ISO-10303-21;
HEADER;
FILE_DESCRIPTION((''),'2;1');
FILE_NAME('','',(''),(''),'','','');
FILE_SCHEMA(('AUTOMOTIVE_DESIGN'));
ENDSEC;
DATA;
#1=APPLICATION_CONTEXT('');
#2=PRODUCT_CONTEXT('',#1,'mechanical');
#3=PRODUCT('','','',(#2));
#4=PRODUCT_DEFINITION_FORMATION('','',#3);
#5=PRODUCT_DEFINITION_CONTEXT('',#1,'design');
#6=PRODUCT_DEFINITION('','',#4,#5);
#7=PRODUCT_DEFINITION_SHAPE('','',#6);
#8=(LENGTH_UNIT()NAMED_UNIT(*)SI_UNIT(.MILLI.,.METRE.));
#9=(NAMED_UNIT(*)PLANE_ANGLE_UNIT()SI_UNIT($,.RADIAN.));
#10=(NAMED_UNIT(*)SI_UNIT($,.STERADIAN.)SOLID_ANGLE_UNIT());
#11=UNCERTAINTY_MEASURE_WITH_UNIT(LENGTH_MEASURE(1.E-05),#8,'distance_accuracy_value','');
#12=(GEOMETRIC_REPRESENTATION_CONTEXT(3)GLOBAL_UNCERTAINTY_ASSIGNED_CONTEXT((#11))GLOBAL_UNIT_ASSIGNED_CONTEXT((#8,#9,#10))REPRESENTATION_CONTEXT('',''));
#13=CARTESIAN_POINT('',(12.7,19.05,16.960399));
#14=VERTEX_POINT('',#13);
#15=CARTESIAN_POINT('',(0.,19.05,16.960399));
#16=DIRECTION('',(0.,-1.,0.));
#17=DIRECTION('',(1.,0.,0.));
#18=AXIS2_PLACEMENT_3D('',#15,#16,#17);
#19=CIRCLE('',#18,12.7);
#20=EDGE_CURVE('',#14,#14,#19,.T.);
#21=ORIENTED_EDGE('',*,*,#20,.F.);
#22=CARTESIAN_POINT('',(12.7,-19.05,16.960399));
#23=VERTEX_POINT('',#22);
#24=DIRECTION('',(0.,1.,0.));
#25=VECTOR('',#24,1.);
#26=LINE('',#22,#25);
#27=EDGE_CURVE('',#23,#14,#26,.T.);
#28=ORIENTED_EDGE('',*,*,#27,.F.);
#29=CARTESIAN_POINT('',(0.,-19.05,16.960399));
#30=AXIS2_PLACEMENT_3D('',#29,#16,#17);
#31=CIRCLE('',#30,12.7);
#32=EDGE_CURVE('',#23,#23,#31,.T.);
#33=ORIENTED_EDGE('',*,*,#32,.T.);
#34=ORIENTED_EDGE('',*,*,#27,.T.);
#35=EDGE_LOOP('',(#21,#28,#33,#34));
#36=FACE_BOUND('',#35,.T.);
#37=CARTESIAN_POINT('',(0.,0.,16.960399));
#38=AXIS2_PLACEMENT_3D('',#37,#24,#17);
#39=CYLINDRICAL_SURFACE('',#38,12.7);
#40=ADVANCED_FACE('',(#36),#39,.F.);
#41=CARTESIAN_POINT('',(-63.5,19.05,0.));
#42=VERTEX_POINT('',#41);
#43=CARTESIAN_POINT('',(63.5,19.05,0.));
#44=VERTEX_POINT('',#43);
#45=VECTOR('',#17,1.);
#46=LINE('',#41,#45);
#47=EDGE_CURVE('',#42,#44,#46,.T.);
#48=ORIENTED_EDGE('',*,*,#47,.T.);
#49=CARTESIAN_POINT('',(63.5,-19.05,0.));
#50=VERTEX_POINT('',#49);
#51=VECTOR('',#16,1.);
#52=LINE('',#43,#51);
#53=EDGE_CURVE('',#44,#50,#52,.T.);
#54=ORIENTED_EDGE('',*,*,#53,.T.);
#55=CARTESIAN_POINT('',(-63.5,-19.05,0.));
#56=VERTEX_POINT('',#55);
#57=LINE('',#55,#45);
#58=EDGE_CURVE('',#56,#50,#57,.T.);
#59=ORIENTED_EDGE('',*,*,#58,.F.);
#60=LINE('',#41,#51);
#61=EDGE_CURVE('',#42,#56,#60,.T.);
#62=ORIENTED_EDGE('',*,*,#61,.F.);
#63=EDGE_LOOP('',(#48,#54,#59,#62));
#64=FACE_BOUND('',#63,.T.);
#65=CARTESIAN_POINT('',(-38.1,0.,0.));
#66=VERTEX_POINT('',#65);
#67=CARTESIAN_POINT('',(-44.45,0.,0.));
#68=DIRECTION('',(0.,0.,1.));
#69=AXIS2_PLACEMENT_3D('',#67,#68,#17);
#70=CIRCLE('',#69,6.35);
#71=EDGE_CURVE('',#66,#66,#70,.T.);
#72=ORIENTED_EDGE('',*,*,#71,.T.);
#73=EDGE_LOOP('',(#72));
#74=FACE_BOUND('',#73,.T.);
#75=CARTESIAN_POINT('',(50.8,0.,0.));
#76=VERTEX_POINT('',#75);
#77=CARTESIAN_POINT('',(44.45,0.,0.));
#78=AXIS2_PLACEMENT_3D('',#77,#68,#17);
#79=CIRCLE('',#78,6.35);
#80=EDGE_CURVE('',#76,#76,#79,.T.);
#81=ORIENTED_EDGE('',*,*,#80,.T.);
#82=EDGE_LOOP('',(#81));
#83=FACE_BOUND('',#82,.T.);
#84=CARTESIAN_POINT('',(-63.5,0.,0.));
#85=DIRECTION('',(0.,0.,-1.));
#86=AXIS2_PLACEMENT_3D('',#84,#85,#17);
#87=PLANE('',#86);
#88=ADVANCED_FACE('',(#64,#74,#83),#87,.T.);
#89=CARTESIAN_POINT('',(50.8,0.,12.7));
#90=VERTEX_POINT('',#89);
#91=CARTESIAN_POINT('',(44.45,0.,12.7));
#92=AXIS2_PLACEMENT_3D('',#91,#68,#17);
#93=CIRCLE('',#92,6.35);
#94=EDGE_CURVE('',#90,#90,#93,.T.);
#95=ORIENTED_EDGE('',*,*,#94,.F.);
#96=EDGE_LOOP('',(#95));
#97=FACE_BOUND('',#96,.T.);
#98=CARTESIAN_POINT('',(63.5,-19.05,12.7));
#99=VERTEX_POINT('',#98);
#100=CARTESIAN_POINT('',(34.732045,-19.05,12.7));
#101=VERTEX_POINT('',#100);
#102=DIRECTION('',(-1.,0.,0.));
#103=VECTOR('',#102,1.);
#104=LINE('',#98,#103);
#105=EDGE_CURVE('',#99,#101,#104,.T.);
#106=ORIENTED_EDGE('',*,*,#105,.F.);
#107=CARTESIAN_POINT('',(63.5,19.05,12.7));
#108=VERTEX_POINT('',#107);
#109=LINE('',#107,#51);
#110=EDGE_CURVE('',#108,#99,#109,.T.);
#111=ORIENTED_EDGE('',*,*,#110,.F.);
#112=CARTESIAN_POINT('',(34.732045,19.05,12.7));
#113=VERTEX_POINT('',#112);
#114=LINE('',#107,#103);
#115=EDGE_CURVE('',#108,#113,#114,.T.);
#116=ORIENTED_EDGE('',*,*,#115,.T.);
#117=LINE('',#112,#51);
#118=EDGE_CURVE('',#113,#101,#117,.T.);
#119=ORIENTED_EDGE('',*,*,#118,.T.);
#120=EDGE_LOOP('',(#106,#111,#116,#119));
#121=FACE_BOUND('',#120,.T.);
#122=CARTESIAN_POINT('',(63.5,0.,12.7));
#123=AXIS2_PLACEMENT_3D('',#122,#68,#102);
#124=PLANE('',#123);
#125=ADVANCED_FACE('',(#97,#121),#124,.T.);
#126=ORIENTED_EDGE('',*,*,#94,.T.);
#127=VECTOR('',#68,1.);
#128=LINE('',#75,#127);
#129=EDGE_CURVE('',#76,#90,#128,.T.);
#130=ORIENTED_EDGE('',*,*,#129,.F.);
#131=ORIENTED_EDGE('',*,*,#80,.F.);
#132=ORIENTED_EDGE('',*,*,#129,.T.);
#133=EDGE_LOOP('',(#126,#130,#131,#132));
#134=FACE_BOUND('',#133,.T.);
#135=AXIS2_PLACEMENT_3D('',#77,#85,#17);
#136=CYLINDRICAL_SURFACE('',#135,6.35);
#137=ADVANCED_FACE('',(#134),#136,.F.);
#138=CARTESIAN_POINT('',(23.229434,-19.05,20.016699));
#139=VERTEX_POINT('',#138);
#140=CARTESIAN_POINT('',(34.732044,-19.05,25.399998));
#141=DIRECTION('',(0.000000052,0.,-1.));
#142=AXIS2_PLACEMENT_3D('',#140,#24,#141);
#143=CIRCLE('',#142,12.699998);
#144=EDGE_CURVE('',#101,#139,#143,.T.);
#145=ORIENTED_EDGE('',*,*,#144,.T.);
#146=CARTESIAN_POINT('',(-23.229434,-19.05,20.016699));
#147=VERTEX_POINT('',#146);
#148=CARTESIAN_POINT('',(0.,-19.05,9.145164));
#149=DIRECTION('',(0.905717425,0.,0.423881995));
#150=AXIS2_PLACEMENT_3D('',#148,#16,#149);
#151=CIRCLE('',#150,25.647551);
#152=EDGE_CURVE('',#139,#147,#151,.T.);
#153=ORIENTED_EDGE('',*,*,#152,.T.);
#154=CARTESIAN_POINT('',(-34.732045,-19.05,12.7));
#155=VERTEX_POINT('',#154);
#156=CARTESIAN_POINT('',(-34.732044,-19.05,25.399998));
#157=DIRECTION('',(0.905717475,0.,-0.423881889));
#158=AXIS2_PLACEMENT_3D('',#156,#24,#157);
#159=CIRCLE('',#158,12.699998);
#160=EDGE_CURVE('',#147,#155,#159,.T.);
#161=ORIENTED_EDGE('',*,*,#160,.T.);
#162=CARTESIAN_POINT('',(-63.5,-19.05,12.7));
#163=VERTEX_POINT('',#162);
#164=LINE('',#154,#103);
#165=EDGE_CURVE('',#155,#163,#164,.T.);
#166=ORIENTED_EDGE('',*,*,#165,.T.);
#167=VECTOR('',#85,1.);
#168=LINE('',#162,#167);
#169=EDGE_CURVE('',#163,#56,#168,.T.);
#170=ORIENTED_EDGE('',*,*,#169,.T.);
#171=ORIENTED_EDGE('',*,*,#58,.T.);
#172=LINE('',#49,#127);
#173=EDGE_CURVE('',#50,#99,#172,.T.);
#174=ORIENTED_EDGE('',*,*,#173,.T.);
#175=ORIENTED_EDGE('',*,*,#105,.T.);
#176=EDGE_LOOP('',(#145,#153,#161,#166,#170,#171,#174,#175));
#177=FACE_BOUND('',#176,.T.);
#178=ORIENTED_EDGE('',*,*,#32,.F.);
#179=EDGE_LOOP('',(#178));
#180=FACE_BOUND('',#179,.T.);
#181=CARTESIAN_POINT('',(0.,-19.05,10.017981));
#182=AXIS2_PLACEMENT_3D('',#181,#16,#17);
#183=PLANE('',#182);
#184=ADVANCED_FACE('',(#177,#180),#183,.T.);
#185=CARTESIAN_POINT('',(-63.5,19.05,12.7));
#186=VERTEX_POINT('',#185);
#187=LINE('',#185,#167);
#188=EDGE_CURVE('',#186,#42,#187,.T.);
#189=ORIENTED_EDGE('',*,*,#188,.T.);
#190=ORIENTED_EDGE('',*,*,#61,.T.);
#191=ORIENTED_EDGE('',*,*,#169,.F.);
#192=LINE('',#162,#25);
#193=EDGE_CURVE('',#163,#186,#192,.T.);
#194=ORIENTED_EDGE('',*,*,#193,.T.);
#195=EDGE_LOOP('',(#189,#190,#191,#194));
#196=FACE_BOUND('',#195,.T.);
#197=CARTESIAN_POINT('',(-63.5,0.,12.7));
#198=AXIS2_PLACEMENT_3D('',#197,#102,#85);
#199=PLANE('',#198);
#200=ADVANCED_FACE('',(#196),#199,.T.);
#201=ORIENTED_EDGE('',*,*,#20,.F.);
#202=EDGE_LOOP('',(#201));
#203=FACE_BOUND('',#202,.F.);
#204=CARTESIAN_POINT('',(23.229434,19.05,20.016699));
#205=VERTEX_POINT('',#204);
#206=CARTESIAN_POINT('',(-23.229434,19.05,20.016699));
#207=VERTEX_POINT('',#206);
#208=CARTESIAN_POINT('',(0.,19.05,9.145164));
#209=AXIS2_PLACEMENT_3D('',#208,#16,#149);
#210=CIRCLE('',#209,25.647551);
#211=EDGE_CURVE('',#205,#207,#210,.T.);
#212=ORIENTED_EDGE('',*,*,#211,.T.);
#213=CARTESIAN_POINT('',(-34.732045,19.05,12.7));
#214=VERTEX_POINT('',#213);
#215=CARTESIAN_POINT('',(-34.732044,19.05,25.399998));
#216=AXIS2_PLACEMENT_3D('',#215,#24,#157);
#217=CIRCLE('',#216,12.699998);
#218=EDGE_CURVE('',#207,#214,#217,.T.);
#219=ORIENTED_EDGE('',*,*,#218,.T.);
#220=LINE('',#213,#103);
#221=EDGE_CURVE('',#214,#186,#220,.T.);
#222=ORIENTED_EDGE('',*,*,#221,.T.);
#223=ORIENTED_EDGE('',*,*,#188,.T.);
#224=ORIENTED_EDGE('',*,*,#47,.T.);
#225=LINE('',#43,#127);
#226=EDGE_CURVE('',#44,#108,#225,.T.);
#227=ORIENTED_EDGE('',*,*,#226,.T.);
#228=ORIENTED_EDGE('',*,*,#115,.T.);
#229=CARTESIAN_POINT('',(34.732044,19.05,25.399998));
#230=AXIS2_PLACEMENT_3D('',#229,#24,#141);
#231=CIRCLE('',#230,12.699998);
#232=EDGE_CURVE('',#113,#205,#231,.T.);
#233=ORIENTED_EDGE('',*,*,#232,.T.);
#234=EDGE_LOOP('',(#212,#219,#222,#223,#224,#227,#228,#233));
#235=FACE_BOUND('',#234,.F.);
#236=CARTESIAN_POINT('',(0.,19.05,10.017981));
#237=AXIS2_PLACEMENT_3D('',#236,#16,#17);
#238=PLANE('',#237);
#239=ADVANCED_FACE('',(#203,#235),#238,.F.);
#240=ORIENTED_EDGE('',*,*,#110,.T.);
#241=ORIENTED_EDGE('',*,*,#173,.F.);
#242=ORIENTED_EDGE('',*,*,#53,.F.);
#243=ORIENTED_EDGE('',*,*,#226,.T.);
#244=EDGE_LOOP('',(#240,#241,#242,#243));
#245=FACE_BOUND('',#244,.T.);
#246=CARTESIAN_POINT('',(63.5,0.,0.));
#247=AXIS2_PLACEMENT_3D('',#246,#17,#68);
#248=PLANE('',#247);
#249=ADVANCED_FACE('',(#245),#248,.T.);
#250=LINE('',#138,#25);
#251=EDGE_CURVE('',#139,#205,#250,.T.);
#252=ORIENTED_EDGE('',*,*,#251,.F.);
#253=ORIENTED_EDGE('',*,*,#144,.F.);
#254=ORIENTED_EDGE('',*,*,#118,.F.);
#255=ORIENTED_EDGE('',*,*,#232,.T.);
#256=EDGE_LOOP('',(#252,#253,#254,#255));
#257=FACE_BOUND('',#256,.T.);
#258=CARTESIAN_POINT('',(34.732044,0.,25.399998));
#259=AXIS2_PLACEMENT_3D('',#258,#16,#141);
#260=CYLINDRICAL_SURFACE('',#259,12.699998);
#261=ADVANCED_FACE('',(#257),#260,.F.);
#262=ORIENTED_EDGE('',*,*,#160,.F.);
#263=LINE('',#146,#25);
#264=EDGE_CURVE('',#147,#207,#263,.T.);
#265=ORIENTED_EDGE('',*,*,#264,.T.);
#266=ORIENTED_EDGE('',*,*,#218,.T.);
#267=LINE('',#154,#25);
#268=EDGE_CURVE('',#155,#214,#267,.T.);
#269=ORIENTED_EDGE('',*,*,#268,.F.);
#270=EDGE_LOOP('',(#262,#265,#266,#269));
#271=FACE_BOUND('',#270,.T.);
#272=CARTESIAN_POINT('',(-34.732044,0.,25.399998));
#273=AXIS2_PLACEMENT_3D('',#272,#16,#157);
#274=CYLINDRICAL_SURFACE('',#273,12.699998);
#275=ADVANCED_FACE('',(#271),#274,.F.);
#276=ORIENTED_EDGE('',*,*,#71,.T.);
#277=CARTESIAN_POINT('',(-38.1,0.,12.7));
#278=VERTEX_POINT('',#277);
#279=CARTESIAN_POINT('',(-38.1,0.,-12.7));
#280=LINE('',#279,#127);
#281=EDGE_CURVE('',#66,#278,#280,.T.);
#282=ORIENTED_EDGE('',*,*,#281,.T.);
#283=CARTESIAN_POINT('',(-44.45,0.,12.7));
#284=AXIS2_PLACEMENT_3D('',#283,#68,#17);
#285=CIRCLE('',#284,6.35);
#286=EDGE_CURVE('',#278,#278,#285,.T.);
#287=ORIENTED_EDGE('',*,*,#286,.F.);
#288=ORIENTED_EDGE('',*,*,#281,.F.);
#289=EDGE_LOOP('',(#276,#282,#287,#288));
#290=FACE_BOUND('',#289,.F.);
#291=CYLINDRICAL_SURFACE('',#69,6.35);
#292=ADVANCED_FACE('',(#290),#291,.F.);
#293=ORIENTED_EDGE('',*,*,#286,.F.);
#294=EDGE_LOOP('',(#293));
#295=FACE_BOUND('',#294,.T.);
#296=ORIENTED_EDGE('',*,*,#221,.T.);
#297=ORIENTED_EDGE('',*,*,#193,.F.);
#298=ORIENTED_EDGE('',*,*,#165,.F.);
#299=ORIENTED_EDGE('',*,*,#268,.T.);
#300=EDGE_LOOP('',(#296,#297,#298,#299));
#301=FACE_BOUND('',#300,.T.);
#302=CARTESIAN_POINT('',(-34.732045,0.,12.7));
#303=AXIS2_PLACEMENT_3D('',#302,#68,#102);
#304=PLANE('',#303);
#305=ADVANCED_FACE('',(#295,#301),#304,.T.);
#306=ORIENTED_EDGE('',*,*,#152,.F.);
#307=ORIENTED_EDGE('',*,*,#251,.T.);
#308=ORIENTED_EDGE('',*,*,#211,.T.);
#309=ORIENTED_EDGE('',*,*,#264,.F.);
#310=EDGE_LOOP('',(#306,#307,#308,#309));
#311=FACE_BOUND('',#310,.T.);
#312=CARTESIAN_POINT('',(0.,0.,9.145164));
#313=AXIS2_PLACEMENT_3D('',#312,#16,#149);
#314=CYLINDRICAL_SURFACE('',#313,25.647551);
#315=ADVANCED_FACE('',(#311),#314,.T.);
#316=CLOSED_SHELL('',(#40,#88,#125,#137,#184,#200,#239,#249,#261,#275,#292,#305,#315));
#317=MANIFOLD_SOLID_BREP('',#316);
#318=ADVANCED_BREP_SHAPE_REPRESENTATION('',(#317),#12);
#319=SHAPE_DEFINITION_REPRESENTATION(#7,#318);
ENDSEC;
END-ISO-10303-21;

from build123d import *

# Parameters (mm, degrees)
F0_R     = 12.7
F1_DEPTH = 19.05
F2_R     = 6.35
F3_DEPTH = 12.7


with BuildPart() as f1:
    # F0 (on Front) → F1 (new body, symmetric)
    with BuildSketch(Plane.XZ):
        with BuildLine():
            Line((-63.5, 12.7), (-63.5, 0))
            Line((-63.5, 0), (63.5, 0))
            Line((63.5, 0), (63.5, 12.7))
            Line((63.5, 12.7), (34.732045, 12.7))
            ThreePointArc((34.732045, 12.7), (27.915812, 14.684172), (23.229434, 20.016699))
            ThreePointArc((23.229434, 20.016699), (0, 34.792715), (-23.229434, 20.016699))
            ThreePointArc((-23.229434, 20.016699), (-27.915812, 14.684172), (-34.732045, 12.7))
            Line((-34.732045, 12.7), (-63.5, 12.7))
        make_face()
        with Locations((0, 16.960399)):
            Circle(F0_R, mode=Mode.SUBTRACT)
    extrude(amount=F1_DEPTH, both=True)

    # F2 (on Top) → F3 (cut, symmetric)
    with BuildSketch(Plane.XY):
        with Locations((44.45, 0)):
            Circle(F2_R)
        with Locations((-44.45, 0)):
            Circle(F2_R)
    extrude(amount=F3_DEPTH, both=True, mode=Mode.SUBTRACT)


solid = f1.part
